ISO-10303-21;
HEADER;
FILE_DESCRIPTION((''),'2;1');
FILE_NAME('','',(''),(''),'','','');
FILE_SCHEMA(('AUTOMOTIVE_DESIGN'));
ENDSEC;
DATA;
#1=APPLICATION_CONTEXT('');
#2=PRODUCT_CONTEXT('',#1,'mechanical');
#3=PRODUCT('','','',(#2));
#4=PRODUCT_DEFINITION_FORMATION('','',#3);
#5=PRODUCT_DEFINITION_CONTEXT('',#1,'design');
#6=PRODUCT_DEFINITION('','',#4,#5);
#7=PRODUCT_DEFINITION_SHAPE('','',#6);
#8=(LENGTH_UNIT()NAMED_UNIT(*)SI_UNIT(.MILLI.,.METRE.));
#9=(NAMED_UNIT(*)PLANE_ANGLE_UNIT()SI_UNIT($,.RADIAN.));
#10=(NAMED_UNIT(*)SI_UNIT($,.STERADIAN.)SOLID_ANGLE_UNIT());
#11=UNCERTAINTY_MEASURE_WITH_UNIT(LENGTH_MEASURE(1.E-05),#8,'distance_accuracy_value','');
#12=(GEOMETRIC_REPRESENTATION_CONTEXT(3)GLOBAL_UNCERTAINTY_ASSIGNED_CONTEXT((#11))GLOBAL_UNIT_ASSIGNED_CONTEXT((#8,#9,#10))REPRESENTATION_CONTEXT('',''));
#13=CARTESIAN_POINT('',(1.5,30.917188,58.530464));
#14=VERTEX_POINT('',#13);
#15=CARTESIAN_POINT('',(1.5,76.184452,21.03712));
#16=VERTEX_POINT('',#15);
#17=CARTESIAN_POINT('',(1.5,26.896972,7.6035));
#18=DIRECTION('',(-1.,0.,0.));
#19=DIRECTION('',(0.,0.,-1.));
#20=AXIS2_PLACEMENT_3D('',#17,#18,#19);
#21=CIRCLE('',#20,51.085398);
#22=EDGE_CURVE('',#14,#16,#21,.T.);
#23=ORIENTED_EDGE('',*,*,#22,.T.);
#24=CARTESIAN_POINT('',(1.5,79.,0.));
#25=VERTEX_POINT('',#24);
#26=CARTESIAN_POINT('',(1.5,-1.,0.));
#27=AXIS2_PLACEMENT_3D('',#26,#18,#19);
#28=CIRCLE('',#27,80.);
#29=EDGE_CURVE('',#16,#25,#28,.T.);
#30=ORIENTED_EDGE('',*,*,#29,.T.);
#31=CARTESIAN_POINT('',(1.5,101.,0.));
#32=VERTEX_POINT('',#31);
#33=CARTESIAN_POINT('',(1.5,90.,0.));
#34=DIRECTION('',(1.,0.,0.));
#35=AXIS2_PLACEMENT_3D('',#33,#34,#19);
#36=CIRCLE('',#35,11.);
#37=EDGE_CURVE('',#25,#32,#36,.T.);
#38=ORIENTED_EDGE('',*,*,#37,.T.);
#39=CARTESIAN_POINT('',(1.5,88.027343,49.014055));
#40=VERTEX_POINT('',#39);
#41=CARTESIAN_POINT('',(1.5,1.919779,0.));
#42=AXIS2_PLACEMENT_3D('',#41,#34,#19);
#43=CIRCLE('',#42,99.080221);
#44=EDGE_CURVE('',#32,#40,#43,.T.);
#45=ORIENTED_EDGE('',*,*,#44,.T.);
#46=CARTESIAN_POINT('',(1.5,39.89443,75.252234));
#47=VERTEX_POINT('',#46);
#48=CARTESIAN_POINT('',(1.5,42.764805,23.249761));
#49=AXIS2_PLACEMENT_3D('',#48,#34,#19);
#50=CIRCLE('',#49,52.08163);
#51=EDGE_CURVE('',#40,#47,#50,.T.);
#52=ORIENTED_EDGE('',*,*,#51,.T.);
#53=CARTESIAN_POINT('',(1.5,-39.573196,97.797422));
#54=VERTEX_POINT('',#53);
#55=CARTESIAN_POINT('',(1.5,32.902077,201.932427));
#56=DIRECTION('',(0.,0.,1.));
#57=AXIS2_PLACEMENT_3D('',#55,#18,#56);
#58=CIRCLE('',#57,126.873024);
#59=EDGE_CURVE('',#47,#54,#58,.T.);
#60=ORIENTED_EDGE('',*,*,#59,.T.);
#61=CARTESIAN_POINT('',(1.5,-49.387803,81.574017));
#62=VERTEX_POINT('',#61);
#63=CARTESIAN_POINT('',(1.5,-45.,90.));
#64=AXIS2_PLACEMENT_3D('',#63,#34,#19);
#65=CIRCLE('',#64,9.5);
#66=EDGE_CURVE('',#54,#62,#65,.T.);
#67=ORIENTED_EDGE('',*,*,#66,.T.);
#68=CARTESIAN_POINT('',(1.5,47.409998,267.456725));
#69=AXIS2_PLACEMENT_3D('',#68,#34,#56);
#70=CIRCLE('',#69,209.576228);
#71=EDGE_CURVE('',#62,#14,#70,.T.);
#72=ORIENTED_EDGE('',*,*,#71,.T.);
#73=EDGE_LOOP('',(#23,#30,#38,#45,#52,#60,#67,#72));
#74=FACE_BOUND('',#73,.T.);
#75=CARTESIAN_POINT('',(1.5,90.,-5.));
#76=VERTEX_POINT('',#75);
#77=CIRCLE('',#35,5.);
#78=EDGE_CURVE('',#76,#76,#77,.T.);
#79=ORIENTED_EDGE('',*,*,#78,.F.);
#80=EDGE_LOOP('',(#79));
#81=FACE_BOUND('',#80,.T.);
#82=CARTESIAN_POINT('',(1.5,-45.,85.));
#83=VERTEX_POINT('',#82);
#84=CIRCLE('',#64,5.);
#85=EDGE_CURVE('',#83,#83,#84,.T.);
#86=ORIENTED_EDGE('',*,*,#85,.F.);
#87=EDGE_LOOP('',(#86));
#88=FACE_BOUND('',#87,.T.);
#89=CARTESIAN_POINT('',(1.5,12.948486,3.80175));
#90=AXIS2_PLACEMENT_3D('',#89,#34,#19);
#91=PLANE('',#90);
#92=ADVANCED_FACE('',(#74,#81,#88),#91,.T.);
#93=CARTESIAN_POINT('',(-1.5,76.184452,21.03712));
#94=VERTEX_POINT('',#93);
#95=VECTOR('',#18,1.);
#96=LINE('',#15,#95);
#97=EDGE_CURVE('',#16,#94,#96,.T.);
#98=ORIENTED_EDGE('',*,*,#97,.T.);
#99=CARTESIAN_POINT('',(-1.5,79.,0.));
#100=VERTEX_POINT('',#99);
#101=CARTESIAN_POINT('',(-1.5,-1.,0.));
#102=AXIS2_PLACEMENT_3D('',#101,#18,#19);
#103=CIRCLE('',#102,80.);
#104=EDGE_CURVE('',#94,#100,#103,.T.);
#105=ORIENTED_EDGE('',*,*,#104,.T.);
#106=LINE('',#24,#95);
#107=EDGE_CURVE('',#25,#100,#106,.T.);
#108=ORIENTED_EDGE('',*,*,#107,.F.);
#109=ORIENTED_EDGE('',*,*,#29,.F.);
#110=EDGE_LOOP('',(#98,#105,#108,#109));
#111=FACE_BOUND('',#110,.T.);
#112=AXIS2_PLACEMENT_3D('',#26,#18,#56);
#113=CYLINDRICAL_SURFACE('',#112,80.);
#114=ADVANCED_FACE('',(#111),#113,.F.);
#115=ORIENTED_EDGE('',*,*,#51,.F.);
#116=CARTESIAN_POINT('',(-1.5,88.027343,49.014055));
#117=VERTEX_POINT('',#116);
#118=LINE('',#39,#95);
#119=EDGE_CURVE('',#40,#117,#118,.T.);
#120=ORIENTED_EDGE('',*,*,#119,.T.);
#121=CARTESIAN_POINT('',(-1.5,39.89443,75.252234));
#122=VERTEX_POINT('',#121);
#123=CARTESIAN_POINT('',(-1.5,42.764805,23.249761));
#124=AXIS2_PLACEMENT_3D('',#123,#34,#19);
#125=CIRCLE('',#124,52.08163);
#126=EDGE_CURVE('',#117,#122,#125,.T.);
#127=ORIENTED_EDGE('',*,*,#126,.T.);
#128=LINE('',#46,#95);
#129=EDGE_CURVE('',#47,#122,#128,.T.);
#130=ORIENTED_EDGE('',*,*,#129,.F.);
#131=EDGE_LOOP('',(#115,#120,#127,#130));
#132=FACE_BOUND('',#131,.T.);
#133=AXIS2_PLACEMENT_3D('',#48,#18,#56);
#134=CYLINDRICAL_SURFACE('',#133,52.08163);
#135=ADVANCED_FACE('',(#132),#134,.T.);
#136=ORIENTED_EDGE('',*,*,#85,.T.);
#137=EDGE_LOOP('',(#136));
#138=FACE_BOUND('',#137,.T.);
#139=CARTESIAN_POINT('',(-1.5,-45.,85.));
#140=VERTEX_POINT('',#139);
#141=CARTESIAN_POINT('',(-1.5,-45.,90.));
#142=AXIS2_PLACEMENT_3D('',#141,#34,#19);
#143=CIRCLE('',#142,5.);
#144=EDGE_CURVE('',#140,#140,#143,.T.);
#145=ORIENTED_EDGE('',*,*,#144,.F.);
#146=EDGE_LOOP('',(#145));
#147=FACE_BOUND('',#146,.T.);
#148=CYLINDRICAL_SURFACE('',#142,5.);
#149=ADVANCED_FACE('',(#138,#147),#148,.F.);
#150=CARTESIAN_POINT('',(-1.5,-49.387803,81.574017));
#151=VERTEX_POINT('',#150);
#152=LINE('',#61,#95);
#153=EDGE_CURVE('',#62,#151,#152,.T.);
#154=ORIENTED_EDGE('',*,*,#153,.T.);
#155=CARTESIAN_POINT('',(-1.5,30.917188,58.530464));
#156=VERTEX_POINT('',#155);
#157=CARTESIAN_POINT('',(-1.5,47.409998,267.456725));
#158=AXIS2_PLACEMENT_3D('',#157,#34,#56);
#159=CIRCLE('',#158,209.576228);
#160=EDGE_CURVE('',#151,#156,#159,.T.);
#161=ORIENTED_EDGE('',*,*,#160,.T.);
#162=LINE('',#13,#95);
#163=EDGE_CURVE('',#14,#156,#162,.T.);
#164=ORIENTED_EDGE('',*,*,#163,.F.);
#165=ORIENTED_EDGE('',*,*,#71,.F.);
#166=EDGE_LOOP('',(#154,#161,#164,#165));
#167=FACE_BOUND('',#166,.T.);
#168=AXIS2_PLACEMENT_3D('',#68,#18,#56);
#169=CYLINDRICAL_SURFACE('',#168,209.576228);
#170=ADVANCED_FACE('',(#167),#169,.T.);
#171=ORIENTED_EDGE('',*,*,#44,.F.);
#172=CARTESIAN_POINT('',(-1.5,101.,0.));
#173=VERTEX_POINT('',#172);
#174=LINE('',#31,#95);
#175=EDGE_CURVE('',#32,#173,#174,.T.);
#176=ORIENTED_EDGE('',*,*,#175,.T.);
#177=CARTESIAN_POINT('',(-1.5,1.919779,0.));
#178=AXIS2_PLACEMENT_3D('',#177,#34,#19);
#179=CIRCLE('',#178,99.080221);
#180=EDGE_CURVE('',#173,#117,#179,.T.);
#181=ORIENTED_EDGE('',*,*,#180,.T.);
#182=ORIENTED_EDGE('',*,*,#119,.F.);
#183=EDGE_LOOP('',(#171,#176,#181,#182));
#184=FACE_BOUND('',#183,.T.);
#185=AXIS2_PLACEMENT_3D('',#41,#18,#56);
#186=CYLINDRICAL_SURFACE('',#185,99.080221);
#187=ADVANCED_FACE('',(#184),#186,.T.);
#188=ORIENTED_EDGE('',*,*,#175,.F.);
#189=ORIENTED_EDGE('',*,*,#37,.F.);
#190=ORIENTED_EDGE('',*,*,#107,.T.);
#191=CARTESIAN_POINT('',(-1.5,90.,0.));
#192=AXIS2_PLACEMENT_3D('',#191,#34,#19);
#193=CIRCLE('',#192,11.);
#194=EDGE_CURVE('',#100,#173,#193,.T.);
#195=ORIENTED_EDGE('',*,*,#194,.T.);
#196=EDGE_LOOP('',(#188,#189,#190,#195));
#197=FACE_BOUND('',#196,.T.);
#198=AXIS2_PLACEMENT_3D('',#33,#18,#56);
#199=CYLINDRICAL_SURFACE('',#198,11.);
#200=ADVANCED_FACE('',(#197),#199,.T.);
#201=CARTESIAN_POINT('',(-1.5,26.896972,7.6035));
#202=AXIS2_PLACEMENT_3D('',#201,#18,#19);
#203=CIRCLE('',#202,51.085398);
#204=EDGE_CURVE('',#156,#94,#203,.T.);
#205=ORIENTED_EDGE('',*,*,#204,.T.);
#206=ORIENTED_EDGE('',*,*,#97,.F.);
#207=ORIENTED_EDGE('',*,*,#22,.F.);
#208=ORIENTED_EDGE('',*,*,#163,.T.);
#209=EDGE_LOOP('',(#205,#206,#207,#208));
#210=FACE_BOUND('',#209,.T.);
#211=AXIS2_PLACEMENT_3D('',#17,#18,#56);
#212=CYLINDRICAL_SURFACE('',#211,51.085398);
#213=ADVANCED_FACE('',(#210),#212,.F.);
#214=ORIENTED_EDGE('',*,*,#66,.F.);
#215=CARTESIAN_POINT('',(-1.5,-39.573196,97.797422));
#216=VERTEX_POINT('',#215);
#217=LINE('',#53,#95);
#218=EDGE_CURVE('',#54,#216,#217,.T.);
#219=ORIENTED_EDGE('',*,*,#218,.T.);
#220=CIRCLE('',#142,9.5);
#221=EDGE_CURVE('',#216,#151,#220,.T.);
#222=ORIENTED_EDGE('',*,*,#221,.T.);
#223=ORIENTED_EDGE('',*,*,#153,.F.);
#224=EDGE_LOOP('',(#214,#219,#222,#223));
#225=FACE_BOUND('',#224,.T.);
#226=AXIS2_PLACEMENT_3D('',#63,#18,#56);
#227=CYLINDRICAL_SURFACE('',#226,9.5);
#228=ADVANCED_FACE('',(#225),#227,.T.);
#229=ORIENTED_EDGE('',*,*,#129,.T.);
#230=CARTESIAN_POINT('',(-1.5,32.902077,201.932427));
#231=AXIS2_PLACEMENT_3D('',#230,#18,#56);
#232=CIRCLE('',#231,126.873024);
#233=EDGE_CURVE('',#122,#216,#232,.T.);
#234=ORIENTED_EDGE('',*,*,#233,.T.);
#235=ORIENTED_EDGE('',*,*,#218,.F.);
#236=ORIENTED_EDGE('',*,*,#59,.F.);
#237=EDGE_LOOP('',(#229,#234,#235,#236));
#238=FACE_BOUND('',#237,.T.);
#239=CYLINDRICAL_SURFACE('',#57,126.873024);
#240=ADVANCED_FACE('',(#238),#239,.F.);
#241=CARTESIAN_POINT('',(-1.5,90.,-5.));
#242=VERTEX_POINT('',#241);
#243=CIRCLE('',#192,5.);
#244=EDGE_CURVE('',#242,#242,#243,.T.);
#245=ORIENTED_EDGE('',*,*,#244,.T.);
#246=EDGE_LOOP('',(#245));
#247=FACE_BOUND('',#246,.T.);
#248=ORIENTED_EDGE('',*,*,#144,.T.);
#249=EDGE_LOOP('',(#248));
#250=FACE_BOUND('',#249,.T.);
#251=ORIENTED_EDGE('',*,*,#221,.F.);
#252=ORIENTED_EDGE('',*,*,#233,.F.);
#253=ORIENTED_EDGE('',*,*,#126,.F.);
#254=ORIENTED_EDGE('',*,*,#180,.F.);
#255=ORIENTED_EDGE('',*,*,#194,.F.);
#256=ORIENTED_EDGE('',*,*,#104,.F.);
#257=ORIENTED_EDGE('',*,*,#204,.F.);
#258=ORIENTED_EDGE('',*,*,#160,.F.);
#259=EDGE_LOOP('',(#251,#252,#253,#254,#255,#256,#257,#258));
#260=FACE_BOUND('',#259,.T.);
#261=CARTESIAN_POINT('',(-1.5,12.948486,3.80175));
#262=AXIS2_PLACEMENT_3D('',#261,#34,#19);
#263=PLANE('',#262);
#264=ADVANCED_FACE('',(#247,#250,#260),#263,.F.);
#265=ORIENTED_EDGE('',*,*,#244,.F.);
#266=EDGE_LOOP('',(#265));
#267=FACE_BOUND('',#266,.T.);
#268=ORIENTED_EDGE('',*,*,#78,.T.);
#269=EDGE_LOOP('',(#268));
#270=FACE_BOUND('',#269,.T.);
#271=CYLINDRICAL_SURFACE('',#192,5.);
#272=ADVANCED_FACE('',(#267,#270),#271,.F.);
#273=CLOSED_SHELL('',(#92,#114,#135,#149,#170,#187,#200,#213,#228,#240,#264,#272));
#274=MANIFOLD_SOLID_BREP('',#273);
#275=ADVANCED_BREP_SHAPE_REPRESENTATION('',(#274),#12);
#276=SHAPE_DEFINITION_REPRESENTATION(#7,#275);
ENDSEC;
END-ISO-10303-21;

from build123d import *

# Parameters (mm, degrees)
BOSS_EXTRUDE1_DEPTH = 1.5
SKETCH2_R           = 5
CUT_EXTRUDE1_DEPTH  = 142.810613143


with BuildPart() as part:
    # Sketch1 → Boss-Extrude1 (new, symmetric)
    with BuildSketch(Plane(origin=(0, 0, 0), x_dir=(0, 0, -1), z_dir=(1, 0, 0))):
        with BuildLine():
            ThreePointArc((0, 79), (11, 90), (0, 101))
            ThreePointArc((0, 101), (-25.350874614, 97.701945149), (-49.014054674, 88.027343403))
            ThreePointArc((-49.014054674, 88.027343403), (-68.978437503, 67.692387852), (-75.252234106, 39.89442974))
            ThreePointArc((-75.252234106, 39.89442974), (-79.876334442, -1.725579257), (-97.797422275, -39.573195612))
            ThreePointArc((-97.797422275, -39.573195612), (-94.917356951, -53.128320897), (-81.574017035, -49.387802533))
            ThreePointArc((-81.574017035, -49.387802533), (-66.010073659, -10.395208993), (-58.530464131, 30.917187762))
            ThreePointArc((-58.530464131, 30.917187762), (-46.946256543, 59.483246729), (-21.037120215, 76.184451628))
            ThreePointArc((-21.037120215, 76.184451628), (-10.612348227, 78.292988751), (0, 79))
        make_face()
    extrude(amount=BOSS_EXTRUDE1_DEPTH, both=True)

    # Sketch2 → Cut-Extrude1 (cut, through all)
    with BuildSketch(Plane(origin=(1.5, 0, 0), x_dir=(0, 0, -1), z_dir=(1, 0, 0))):
        with Locations((0, 90)):
            Circle(SKETCH2_R)
        with Locations((-90, -45)):
            Circle(SKETCH2_R)
    extrude(amount=-CUT_EXTRUDE1_DEPTH, mode=Mode.SUBTRACT)


solid = part.part
